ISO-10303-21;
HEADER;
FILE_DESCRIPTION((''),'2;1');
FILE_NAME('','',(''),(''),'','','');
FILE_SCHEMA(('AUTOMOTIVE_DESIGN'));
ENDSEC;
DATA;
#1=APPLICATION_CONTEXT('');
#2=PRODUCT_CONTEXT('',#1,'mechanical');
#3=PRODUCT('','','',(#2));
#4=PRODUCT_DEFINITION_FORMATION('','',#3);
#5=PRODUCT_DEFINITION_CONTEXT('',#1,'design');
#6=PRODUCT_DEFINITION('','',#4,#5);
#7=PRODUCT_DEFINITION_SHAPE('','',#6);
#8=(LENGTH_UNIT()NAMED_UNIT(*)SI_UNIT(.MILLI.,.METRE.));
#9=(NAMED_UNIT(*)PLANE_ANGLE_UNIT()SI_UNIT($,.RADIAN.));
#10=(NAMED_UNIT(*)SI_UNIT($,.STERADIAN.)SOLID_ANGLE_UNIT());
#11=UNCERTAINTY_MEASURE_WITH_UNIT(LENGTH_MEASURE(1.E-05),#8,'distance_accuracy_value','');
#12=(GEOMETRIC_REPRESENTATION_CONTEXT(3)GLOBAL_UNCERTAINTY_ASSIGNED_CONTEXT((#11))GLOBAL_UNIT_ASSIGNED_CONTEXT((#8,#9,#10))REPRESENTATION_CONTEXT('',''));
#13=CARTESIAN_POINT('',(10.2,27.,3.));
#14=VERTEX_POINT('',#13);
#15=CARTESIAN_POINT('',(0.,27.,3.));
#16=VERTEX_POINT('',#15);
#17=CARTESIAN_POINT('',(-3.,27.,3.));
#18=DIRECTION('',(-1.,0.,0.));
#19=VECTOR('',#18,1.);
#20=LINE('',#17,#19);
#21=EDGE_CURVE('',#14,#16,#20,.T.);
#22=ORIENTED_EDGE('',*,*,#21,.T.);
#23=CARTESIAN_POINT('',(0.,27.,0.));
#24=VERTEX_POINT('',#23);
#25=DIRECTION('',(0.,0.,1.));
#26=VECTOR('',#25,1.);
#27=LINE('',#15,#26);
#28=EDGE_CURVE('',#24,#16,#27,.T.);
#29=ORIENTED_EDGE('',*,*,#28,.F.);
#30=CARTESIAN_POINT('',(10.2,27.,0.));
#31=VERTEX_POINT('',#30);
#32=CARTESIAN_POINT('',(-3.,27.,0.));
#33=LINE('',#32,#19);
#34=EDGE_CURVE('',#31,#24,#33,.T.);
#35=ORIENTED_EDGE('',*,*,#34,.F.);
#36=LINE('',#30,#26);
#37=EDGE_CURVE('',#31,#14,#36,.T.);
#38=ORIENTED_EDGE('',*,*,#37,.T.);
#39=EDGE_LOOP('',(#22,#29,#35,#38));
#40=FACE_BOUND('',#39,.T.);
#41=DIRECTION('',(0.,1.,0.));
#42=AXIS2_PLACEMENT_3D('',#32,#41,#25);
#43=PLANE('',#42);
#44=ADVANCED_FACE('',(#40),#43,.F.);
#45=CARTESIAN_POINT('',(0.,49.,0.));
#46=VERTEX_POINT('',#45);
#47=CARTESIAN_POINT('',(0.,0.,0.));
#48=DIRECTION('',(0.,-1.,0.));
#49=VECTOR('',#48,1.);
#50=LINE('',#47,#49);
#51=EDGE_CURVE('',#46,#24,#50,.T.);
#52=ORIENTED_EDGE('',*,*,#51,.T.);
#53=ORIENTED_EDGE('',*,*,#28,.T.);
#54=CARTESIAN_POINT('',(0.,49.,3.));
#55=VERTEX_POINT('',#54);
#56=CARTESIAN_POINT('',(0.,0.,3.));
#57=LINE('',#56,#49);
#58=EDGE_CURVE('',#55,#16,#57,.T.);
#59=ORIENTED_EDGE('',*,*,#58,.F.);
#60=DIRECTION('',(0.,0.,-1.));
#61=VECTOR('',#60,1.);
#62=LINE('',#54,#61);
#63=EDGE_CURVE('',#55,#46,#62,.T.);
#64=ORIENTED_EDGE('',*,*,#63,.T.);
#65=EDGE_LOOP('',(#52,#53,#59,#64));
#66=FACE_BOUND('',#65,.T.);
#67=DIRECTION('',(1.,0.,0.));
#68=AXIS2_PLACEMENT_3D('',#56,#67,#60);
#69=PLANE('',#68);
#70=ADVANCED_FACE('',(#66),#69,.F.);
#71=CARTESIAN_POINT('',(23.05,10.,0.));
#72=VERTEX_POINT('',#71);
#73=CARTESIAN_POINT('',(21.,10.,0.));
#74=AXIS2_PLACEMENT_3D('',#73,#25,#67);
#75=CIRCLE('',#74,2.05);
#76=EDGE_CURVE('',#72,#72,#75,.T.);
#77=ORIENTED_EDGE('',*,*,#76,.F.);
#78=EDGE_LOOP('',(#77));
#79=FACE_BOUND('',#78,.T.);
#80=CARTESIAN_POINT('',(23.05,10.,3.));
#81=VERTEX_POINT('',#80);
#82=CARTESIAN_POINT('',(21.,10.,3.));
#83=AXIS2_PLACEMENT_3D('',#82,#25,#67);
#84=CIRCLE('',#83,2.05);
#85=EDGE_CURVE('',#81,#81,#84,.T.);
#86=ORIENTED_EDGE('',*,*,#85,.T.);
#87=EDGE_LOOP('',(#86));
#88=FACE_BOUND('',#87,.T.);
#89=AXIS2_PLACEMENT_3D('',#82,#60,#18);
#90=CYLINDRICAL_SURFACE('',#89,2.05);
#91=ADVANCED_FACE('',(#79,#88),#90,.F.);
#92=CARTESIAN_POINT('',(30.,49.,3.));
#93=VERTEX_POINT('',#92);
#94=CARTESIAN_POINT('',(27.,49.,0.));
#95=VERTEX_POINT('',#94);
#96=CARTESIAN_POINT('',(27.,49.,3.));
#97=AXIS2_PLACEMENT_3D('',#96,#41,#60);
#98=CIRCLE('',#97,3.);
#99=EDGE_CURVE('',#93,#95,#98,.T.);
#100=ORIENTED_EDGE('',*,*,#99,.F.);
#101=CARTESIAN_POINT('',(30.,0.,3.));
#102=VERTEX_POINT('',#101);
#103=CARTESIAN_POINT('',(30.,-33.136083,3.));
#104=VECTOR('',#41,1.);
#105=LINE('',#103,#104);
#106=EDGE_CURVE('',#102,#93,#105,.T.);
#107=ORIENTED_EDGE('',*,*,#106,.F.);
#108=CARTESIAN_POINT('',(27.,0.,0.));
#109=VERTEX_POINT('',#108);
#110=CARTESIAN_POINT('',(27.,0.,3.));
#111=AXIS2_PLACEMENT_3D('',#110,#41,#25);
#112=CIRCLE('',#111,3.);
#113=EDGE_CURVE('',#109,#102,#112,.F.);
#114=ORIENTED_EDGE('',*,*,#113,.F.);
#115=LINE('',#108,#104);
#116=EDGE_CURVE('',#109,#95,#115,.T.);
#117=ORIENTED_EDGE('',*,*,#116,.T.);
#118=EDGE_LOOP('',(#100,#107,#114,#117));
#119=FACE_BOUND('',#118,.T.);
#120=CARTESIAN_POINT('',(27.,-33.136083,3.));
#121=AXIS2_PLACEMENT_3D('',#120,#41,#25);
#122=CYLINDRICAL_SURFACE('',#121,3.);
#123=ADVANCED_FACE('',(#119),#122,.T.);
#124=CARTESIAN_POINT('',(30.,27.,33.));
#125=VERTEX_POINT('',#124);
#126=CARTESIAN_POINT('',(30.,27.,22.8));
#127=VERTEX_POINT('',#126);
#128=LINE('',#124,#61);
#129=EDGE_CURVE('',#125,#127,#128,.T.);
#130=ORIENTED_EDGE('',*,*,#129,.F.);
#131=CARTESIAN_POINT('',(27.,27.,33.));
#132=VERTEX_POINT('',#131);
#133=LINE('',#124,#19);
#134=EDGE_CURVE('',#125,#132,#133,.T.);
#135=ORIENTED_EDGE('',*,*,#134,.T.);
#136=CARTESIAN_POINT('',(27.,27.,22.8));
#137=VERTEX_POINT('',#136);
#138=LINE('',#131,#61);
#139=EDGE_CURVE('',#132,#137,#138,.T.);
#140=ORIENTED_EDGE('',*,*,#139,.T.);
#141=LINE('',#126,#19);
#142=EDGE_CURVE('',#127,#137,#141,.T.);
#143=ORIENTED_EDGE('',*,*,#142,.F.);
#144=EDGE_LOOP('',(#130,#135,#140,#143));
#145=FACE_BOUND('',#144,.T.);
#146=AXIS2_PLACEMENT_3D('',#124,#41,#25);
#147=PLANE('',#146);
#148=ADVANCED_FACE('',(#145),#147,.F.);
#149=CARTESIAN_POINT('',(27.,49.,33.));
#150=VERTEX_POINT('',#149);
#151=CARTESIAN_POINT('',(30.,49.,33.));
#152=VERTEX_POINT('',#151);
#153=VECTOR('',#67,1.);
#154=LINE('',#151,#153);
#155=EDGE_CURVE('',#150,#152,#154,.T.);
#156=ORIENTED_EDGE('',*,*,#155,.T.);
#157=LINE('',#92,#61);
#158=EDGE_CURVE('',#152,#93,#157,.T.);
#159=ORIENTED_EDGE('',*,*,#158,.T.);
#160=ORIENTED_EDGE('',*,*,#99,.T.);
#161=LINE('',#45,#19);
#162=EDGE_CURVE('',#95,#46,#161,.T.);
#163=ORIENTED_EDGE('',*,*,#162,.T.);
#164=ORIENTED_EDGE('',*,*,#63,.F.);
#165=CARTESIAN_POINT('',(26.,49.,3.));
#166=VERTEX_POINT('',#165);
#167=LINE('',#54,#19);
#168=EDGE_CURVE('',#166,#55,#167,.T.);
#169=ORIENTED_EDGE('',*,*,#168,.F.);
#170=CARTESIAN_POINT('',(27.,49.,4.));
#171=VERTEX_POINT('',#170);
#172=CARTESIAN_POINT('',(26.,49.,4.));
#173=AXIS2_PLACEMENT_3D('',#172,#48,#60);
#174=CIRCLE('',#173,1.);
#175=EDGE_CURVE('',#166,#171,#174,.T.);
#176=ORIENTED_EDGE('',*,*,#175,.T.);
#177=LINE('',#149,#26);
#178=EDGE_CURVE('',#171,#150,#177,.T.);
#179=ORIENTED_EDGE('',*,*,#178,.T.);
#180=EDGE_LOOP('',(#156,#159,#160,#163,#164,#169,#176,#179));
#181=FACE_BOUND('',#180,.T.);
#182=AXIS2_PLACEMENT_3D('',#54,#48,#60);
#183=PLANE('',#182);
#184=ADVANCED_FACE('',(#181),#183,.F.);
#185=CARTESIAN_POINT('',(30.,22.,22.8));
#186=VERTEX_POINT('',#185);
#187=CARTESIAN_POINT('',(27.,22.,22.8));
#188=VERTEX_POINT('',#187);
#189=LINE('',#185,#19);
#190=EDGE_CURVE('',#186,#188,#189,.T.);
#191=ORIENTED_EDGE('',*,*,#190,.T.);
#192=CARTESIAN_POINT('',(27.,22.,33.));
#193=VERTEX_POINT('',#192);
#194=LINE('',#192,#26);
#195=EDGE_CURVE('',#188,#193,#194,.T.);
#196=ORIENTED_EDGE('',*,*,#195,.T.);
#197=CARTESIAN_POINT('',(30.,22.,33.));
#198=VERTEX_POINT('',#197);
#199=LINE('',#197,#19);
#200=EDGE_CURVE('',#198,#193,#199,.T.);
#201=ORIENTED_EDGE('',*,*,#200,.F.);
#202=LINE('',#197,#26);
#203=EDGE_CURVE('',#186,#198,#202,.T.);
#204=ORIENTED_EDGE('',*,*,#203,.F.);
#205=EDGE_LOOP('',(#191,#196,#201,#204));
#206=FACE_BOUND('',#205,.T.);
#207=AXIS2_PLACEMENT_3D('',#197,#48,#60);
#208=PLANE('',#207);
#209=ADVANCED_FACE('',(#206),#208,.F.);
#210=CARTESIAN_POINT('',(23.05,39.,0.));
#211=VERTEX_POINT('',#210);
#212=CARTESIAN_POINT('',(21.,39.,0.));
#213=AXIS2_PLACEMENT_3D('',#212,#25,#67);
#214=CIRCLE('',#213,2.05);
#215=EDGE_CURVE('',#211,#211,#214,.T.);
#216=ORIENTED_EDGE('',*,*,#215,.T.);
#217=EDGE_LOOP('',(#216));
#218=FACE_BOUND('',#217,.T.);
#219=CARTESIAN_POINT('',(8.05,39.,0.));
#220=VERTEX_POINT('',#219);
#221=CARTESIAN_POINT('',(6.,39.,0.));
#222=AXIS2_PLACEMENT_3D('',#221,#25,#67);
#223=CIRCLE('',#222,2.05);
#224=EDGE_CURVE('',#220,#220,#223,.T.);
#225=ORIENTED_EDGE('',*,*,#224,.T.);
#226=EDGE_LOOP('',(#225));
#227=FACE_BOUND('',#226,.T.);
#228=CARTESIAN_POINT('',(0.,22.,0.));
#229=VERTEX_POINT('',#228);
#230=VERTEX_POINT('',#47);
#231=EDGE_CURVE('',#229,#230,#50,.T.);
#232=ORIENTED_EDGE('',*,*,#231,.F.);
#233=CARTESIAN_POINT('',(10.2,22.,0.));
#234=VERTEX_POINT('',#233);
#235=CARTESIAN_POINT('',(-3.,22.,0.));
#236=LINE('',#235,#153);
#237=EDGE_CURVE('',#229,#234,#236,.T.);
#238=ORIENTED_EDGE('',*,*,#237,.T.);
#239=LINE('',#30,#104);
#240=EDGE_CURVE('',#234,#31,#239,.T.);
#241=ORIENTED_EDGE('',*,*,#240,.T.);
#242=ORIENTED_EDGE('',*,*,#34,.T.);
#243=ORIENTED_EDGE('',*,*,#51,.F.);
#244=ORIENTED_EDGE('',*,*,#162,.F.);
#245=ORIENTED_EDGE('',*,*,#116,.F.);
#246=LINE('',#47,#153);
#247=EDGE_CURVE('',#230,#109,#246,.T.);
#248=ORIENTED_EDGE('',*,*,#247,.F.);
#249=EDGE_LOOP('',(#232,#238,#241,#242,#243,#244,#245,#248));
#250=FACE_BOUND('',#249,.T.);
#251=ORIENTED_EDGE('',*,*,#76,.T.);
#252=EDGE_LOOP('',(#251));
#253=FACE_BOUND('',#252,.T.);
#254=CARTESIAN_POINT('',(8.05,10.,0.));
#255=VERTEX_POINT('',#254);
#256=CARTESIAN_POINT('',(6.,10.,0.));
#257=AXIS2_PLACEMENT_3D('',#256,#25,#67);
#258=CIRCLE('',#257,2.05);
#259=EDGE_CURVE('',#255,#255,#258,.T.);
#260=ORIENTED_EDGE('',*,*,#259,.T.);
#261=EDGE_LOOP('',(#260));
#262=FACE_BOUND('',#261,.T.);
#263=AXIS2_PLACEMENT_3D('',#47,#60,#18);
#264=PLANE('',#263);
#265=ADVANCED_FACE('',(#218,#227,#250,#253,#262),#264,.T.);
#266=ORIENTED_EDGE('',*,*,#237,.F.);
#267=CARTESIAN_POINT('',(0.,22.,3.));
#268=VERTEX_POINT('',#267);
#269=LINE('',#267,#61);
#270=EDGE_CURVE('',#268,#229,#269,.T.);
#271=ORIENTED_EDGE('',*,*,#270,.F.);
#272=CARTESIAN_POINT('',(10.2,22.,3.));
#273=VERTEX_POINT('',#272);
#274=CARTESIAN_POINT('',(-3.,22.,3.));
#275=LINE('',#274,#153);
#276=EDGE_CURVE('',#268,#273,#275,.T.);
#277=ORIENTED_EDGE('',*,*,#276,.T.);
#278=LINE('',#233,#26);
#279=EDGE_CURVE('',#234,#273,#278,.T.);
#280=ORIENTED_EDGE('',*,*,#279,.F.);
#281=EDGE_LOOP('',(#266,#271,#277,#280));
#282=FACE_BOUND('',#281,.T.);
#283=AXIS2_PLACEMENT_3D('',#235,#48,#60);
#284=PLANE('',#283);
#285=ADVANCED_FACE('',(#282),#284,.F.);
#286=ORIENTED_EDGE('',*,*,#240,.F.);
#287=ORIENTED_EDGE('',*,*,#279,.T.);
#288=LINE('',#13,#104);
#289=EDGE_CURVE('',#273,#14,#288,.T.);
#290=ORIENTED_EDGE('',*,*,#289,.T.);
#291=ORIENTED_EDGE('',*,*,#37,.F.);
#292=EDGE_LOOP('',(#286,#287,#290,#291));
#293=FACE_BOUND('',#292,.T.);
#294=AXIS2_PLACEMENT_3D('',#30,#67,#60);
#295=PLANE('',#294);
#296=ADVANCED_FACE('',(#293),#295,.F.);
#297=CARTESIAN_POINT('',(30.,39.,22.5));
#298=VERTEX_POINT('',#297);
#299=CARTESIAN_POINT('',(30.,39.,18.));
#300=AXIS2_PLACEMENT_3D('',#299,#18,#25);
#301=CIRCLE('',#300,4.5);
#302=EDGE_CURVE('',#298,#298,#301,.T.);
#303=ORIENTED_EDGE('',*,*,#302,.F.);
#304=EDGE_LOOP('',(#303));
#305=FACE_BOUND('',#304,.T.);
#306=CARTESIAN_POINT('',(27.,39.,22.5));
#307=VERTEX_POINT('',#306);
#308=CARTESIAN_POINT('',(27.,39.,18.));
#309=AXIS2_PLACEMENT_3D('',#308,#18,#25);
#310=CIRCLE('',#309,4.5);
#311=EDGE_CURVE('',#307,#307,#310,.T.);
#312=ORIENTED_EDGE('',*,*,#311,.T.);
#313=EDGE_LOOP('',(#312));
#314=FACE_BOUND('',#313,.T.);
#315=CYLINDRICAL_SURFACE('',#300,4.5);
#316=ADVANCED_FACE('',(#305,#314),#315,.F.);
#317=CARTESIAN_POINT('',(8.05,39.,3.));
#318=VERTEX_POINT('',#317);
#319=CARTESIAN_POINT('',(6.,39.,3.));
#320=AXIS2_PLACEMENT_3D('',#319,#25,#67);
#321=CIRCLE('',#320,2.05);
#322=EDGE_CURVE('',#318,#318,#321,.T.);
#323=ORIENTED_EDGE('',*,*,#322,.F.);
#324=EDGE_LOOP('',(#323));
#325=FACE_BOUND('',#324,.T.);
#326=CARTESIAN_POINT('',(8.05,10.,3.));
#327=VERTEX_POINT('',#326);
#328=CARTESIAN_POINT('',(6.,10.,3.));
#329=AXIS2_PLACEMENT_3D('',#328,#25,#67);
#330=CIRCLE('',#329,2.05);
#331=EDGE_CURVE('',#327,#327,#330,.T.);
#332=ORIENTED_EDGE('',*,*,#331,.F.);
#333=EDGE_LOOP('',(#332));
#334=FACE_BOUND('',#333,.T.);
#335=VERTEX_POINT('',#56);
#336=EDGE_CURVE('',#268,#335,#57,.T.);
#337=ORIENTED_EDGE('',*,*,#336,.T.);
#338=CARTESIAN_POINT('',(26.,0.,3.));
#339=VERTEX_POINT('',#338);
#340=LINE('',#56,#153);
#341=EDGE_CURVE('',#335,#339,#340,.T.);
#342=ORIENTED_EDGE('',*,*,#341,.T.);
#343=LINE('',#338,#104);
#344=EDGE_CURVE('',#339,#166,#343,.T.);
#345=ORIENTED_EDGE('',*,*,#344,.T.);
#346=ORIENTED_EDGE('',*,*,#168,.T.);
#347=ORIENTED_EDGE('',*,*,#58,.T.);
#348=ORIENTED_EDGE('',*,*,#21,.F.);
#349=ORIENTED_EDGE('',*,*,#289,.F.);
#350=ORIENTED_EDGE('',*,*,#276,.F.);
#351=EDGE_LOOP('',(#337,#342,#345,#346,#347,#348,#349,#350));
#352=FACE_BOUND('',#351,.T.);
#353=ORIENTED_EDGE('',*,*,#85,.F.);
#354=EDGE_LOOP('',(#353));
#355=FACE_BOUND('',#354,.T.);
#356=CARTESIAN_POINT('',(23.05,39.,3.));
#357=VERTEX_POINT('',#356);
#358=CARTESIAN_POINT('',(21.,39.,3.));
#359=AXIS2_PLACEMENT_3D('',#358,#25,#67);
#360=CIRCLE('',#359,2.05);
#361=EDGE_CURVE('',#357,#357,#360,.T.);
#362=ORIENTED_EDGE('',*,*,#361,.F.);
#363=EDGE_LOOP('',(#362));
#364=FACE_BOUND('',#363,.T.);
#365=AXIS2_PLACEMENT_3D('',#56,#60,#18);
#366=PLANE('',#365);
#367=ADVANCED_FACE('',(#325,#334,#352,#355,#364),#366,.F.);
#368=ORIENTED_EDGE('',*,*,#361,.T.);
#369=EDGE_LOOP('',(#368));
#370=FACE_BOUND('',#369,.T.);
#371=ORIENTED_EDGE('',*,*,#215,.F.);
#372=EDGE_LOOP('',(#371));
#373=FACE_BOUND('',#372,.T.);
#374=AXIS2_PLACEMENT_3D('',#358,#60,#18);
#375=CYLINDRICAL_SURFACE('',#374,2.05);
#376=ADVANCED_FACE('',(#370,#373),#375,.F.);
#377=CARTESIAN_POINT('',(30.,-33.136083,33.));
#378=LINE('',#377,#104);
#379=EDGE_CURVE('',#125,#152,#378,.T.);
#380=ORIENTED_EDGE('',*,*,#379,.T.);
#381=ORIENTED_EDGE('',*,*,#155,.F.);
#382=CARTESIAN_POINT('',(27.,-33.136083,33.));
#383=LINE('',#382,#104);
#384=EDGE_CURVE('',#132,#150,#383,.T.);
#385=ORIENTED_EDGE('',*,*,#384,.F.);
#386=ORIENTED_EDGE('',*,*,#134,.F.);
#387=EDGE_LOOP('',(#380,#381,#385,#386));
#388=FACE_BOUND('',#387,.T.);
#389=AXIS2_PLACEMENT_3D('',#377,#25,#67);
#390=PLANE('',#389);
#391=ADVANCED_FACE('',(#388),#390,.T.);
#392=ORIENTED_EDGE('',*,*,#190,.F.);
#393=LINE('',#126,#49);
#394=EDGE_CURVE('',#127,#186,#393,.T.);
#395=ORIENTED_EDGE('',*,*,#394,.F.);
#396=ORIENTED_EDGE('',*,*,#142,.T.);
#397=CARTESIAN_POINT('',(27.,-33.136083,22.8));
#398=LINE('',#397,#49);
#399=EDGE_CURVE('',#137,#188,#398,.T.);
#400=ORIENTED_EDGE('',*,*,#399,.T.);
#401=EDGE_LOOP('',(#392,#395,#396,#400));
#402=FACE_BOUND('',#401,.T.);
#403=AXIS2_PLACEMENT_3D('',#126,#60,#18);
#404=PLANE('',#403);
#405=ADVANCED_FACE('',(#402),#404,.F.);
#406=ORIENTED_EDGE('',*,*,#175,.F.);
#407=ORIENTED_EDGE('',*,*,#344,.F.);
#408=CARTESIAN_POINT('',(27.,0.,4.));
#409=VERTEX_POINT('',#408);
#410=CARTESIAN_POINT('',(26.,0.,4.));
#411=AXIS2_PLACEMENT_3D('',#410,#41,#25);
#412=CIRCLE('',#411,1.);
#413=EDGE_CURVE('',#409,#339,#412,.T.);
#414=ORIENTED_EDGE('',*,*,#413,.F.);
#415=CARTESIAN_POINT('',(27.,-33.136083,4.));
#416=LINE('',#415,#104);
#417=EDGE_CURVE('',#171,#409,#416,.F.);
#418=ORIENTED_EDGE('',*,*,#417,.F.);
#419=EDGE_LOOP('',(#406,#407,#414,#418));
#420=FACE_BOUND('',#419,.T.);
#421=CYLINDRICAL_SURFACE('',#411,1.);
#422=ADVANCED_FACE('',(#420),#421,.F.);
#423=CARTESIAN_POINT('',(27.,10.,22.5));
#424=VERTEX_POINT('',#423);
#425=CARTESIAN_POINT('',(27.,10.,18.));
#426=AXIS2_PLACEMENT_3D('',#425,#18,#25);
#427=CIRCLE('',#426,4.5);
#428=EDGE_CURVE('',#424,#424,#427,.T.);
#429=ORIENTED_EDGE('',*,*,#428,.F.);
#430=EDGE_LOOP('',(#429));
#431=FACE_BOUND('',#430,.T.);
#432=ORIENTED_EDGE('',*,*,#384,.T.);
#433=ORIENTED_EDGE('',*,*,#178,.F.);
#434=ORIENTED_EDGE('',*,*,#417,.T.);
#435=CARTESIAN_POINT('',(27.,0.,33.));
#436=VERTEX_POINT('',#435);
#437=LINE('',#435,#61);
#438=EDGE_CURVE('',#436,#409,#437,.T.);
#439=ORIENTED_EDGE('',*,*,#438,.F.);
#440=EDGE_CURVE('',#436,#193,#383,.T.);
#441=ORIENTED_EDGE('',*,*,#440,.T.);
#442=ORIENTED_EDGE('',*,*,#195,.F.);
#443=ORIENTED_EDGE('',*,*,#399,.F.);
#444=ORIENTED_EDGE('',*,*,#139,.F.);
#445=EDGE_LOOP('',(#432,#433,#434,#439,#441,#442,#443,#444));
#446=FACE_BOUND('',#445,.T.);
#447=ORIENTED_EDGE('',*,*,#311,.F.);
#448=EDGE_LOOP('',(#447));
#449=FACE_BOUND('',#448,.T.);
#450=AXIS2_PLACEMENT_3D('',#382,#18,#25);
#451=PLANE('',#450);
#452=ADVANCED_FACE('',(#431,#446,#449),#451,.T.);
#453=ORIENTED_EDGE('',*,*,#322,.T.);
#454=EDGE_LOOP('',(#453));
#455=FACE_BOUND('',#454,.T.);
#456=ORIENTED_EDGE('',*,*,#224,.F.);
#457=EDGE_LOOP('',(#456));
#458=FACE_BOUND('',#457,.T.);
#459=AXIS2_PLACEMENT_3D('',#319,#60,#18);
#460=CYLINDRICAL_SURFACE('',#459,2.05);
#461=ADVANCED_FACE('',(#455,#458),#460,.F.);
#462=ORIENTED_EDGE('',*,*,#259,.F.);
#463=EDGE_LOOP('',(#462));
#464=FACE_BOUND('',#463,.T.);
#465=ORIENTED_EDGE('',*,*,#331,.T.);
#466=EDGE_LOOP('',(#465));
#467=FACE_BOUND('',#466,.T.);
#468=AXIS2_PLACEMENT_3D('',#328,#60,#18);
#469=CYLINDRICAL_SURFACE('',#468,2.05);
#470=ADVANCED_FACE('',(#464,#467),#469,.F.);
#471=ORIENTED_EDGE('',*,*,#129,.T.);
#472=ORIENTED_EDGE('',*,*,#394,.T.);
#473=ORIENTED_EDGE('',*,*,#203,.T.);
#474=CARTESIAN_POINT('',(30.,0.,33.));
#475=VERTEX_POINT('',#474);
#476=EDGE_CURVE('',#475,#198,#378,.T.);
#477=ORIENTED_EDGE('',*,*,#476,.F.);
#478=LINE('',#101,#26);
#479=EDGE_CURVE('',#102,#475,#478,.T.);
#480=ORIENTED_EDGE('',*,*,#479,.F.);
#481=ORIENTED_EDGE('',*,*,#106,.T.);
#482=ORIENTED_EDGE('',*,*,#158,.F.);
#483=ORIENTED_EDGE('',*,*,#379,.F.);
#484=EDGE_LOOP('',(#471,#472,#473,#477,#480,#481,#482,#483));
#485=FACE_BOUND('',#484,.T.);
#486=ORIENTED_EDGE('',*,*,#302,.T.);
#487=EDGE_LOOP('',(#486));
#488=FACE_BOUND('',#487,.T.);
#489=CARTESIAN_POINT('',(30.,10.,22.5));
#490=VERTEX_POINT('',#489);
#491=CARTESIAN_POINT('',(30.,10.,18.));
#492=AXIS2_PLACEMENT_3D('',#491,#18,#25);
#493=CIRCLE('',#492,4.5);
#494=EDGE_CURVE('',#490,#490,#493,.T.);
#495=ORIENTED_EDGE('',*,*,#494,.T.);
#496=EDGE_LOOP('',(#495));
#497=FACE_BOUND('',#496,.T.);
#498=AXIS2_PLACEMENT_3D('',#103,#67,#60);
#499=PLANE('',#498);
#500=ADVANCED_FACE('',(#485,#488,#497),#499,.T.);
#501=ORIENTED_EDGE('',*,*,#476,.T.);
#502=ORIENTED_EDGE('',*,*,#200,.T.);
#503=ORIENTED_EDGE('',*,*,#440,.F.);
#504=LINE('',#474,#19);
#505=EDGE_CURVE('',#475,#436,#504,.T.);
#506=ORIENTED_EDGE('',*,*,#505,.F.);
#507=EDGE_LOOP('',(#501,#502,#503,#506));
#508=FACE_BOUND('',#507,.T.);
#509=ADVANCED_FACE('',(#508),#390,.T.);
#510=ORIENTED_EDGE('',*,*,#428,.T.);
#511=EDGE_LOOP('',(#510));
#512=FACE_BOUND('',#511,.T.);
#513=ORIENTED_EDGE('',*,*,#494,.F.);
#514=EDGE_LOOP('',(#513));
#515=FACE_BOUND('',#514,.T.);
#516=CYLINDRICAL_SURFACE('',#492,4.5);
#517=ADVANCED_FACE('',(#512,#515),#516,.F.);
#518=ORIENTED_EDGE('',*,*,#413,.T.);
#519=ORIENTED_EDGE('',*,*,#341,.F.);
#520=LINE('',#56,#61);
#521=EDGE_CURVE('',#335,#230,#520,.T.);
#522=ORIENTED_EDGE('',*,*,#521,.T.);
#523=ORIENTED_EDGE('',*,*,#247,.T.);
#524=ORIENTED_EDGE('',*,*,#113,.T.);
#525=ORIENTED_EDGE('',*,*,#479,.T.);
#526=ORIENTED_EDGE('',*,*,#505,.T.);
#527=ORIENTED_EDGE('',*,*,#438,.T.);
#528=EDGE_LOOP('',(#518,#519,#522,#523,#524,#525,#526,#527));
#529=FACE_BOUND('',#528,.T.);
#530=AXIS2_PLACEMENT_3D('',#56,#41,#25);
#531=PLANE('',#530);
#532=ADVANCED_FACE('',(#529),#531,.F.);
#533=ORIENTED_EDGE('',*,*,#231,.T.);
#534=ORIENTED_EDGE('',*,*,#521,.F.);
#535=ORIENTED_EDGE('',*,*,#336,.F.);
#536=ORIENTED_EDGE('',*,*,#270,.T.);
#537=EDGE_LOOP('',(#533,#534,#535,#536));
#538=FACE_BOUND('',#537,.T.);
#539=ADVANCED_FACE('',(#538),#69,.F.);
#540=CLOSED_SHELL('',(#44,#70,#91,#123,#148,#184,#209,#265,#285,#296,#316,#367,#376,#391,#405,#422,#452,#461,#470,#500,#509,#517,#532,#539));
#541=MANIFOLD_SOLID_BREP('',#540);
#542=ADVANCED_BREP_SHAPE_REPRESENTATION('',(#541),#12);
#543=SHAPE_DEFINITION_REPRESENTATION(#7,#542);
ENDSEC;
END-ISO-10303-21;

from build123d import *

# Parameters (mm, degrees)
SKETCH2_W               = 27
SKETCH2_H               = 49
SKETCH2_R               = 2.05
BOSS_EXTRUDE1_DEPTH     = 3
BOSS_EXTRUDE2_DEPTH     = 49
SKETCH5_R               = 4.5
CUT_EXTRUDE1_DEPTH      = 4
FILLET1_R               = 1
SKETCH6_W               = 13.2
SKETCH6_H               = 5
CUT_EXTRUDE2_DEPTH      = 4
SKETCH7_W               = 10.2
SKETCH7_H               = 5
CUT_EXTRUDE3_DEPTH      = 28
CUT_EXTRUDE3_DEPTH_BACK = 4


with BuildPart() as part:
    # Sketch2 → Boss-Extrude1 (new body)
    with BuildSketch(Plane.XY):
        with Locations((13.5, 24.5)):
            Rectangle(SKETCH2_W, SKETCH2_H)
        with Locations((6, 39)):
            Circle(SKETCH2_R, mode=Mode.SUBTRACT)
        with Locations((21, 39)):
            Circle(SKETCH2_R, mode=Mode.SUBTRACT)
        with Locations((6, 10)):
            Circle(SKETCH2_R, mode=Mode.SUBTRACT)
        with Locations((21, 10)):
            Circle(SKETCH2_R, mode=Mode.SUBTRACT)
    extrude(amount=BOSS_EXTRUDE1_DEPTH)

    # Sketch4 → Boss-Extrude2 (add)
    with BuildSketch(Plane(origin=(0, 49, 0), x_dir=(1, 0, 0), z_dir=(0, 1, 0))):
        with BuildLine():
            Line((30, -3), (30, -33))
            Line((30, -33), (27, -33))
            Line((27, -33), (27, 0))
            ThreePointArc((27, 0), (29.121320344, -0.878679656), (30, -3))
        make_face()
    extrude(amount=-BOSS_EXTRUDE2_DEPTH)

    # Sketch5 → Cut-Extrude1 (cut, through all)
    with BuildSketch(Plane.ZY.offset(-27)):
        with Locations((18, 39)):
            Circle(SKETCH5_R)
        with Locations((18, 10)):
            Circle(SKETCH5_R)
    extrude(amount=-CUT_EXTRUDE1_DEPTH, mode=Mode.SUBTRACT)

    # Fillet1
    fillet1_edges = [part.edges().sort_by_distance(p)[0] for p in [
        (27, 24.5, 3),
    ]]
    fillet(fillet1_edges, radius=FILLET1_R)

    # Sketch6 → Cut-Extrude2 (cut, through all)
    with BuildSketch(Plane.XY.offset(3)):
        with Locations((3.6, 24.5)):
            Rectangle(SKETCH6_W, SKETCH6_H)
    extrude(amount=-CUT_EXTRUDE2_DEPTH, mode=Mode.SUBTRACT)

    # Sketch7 → Cut-Extrude3 (cut, two sides)
    with BuildSketch(Plane.ZY.offset(-27)) as cut_extrude3_sk:
        with Locations((27.9, 24.5)):
            Rectangle(SKETCH7_W, SKETCH7_H)
    extrude(amount=CUT_EXTRUDE3_DEPTH, mode=Mode.SUBTRACT)
    extrude(cut_extrude3_sk.sketch, amount=-CUT_EXTRUDE3_DEPTH_BACK, mode=Mode.SUBTRACT)


solid = part.part
